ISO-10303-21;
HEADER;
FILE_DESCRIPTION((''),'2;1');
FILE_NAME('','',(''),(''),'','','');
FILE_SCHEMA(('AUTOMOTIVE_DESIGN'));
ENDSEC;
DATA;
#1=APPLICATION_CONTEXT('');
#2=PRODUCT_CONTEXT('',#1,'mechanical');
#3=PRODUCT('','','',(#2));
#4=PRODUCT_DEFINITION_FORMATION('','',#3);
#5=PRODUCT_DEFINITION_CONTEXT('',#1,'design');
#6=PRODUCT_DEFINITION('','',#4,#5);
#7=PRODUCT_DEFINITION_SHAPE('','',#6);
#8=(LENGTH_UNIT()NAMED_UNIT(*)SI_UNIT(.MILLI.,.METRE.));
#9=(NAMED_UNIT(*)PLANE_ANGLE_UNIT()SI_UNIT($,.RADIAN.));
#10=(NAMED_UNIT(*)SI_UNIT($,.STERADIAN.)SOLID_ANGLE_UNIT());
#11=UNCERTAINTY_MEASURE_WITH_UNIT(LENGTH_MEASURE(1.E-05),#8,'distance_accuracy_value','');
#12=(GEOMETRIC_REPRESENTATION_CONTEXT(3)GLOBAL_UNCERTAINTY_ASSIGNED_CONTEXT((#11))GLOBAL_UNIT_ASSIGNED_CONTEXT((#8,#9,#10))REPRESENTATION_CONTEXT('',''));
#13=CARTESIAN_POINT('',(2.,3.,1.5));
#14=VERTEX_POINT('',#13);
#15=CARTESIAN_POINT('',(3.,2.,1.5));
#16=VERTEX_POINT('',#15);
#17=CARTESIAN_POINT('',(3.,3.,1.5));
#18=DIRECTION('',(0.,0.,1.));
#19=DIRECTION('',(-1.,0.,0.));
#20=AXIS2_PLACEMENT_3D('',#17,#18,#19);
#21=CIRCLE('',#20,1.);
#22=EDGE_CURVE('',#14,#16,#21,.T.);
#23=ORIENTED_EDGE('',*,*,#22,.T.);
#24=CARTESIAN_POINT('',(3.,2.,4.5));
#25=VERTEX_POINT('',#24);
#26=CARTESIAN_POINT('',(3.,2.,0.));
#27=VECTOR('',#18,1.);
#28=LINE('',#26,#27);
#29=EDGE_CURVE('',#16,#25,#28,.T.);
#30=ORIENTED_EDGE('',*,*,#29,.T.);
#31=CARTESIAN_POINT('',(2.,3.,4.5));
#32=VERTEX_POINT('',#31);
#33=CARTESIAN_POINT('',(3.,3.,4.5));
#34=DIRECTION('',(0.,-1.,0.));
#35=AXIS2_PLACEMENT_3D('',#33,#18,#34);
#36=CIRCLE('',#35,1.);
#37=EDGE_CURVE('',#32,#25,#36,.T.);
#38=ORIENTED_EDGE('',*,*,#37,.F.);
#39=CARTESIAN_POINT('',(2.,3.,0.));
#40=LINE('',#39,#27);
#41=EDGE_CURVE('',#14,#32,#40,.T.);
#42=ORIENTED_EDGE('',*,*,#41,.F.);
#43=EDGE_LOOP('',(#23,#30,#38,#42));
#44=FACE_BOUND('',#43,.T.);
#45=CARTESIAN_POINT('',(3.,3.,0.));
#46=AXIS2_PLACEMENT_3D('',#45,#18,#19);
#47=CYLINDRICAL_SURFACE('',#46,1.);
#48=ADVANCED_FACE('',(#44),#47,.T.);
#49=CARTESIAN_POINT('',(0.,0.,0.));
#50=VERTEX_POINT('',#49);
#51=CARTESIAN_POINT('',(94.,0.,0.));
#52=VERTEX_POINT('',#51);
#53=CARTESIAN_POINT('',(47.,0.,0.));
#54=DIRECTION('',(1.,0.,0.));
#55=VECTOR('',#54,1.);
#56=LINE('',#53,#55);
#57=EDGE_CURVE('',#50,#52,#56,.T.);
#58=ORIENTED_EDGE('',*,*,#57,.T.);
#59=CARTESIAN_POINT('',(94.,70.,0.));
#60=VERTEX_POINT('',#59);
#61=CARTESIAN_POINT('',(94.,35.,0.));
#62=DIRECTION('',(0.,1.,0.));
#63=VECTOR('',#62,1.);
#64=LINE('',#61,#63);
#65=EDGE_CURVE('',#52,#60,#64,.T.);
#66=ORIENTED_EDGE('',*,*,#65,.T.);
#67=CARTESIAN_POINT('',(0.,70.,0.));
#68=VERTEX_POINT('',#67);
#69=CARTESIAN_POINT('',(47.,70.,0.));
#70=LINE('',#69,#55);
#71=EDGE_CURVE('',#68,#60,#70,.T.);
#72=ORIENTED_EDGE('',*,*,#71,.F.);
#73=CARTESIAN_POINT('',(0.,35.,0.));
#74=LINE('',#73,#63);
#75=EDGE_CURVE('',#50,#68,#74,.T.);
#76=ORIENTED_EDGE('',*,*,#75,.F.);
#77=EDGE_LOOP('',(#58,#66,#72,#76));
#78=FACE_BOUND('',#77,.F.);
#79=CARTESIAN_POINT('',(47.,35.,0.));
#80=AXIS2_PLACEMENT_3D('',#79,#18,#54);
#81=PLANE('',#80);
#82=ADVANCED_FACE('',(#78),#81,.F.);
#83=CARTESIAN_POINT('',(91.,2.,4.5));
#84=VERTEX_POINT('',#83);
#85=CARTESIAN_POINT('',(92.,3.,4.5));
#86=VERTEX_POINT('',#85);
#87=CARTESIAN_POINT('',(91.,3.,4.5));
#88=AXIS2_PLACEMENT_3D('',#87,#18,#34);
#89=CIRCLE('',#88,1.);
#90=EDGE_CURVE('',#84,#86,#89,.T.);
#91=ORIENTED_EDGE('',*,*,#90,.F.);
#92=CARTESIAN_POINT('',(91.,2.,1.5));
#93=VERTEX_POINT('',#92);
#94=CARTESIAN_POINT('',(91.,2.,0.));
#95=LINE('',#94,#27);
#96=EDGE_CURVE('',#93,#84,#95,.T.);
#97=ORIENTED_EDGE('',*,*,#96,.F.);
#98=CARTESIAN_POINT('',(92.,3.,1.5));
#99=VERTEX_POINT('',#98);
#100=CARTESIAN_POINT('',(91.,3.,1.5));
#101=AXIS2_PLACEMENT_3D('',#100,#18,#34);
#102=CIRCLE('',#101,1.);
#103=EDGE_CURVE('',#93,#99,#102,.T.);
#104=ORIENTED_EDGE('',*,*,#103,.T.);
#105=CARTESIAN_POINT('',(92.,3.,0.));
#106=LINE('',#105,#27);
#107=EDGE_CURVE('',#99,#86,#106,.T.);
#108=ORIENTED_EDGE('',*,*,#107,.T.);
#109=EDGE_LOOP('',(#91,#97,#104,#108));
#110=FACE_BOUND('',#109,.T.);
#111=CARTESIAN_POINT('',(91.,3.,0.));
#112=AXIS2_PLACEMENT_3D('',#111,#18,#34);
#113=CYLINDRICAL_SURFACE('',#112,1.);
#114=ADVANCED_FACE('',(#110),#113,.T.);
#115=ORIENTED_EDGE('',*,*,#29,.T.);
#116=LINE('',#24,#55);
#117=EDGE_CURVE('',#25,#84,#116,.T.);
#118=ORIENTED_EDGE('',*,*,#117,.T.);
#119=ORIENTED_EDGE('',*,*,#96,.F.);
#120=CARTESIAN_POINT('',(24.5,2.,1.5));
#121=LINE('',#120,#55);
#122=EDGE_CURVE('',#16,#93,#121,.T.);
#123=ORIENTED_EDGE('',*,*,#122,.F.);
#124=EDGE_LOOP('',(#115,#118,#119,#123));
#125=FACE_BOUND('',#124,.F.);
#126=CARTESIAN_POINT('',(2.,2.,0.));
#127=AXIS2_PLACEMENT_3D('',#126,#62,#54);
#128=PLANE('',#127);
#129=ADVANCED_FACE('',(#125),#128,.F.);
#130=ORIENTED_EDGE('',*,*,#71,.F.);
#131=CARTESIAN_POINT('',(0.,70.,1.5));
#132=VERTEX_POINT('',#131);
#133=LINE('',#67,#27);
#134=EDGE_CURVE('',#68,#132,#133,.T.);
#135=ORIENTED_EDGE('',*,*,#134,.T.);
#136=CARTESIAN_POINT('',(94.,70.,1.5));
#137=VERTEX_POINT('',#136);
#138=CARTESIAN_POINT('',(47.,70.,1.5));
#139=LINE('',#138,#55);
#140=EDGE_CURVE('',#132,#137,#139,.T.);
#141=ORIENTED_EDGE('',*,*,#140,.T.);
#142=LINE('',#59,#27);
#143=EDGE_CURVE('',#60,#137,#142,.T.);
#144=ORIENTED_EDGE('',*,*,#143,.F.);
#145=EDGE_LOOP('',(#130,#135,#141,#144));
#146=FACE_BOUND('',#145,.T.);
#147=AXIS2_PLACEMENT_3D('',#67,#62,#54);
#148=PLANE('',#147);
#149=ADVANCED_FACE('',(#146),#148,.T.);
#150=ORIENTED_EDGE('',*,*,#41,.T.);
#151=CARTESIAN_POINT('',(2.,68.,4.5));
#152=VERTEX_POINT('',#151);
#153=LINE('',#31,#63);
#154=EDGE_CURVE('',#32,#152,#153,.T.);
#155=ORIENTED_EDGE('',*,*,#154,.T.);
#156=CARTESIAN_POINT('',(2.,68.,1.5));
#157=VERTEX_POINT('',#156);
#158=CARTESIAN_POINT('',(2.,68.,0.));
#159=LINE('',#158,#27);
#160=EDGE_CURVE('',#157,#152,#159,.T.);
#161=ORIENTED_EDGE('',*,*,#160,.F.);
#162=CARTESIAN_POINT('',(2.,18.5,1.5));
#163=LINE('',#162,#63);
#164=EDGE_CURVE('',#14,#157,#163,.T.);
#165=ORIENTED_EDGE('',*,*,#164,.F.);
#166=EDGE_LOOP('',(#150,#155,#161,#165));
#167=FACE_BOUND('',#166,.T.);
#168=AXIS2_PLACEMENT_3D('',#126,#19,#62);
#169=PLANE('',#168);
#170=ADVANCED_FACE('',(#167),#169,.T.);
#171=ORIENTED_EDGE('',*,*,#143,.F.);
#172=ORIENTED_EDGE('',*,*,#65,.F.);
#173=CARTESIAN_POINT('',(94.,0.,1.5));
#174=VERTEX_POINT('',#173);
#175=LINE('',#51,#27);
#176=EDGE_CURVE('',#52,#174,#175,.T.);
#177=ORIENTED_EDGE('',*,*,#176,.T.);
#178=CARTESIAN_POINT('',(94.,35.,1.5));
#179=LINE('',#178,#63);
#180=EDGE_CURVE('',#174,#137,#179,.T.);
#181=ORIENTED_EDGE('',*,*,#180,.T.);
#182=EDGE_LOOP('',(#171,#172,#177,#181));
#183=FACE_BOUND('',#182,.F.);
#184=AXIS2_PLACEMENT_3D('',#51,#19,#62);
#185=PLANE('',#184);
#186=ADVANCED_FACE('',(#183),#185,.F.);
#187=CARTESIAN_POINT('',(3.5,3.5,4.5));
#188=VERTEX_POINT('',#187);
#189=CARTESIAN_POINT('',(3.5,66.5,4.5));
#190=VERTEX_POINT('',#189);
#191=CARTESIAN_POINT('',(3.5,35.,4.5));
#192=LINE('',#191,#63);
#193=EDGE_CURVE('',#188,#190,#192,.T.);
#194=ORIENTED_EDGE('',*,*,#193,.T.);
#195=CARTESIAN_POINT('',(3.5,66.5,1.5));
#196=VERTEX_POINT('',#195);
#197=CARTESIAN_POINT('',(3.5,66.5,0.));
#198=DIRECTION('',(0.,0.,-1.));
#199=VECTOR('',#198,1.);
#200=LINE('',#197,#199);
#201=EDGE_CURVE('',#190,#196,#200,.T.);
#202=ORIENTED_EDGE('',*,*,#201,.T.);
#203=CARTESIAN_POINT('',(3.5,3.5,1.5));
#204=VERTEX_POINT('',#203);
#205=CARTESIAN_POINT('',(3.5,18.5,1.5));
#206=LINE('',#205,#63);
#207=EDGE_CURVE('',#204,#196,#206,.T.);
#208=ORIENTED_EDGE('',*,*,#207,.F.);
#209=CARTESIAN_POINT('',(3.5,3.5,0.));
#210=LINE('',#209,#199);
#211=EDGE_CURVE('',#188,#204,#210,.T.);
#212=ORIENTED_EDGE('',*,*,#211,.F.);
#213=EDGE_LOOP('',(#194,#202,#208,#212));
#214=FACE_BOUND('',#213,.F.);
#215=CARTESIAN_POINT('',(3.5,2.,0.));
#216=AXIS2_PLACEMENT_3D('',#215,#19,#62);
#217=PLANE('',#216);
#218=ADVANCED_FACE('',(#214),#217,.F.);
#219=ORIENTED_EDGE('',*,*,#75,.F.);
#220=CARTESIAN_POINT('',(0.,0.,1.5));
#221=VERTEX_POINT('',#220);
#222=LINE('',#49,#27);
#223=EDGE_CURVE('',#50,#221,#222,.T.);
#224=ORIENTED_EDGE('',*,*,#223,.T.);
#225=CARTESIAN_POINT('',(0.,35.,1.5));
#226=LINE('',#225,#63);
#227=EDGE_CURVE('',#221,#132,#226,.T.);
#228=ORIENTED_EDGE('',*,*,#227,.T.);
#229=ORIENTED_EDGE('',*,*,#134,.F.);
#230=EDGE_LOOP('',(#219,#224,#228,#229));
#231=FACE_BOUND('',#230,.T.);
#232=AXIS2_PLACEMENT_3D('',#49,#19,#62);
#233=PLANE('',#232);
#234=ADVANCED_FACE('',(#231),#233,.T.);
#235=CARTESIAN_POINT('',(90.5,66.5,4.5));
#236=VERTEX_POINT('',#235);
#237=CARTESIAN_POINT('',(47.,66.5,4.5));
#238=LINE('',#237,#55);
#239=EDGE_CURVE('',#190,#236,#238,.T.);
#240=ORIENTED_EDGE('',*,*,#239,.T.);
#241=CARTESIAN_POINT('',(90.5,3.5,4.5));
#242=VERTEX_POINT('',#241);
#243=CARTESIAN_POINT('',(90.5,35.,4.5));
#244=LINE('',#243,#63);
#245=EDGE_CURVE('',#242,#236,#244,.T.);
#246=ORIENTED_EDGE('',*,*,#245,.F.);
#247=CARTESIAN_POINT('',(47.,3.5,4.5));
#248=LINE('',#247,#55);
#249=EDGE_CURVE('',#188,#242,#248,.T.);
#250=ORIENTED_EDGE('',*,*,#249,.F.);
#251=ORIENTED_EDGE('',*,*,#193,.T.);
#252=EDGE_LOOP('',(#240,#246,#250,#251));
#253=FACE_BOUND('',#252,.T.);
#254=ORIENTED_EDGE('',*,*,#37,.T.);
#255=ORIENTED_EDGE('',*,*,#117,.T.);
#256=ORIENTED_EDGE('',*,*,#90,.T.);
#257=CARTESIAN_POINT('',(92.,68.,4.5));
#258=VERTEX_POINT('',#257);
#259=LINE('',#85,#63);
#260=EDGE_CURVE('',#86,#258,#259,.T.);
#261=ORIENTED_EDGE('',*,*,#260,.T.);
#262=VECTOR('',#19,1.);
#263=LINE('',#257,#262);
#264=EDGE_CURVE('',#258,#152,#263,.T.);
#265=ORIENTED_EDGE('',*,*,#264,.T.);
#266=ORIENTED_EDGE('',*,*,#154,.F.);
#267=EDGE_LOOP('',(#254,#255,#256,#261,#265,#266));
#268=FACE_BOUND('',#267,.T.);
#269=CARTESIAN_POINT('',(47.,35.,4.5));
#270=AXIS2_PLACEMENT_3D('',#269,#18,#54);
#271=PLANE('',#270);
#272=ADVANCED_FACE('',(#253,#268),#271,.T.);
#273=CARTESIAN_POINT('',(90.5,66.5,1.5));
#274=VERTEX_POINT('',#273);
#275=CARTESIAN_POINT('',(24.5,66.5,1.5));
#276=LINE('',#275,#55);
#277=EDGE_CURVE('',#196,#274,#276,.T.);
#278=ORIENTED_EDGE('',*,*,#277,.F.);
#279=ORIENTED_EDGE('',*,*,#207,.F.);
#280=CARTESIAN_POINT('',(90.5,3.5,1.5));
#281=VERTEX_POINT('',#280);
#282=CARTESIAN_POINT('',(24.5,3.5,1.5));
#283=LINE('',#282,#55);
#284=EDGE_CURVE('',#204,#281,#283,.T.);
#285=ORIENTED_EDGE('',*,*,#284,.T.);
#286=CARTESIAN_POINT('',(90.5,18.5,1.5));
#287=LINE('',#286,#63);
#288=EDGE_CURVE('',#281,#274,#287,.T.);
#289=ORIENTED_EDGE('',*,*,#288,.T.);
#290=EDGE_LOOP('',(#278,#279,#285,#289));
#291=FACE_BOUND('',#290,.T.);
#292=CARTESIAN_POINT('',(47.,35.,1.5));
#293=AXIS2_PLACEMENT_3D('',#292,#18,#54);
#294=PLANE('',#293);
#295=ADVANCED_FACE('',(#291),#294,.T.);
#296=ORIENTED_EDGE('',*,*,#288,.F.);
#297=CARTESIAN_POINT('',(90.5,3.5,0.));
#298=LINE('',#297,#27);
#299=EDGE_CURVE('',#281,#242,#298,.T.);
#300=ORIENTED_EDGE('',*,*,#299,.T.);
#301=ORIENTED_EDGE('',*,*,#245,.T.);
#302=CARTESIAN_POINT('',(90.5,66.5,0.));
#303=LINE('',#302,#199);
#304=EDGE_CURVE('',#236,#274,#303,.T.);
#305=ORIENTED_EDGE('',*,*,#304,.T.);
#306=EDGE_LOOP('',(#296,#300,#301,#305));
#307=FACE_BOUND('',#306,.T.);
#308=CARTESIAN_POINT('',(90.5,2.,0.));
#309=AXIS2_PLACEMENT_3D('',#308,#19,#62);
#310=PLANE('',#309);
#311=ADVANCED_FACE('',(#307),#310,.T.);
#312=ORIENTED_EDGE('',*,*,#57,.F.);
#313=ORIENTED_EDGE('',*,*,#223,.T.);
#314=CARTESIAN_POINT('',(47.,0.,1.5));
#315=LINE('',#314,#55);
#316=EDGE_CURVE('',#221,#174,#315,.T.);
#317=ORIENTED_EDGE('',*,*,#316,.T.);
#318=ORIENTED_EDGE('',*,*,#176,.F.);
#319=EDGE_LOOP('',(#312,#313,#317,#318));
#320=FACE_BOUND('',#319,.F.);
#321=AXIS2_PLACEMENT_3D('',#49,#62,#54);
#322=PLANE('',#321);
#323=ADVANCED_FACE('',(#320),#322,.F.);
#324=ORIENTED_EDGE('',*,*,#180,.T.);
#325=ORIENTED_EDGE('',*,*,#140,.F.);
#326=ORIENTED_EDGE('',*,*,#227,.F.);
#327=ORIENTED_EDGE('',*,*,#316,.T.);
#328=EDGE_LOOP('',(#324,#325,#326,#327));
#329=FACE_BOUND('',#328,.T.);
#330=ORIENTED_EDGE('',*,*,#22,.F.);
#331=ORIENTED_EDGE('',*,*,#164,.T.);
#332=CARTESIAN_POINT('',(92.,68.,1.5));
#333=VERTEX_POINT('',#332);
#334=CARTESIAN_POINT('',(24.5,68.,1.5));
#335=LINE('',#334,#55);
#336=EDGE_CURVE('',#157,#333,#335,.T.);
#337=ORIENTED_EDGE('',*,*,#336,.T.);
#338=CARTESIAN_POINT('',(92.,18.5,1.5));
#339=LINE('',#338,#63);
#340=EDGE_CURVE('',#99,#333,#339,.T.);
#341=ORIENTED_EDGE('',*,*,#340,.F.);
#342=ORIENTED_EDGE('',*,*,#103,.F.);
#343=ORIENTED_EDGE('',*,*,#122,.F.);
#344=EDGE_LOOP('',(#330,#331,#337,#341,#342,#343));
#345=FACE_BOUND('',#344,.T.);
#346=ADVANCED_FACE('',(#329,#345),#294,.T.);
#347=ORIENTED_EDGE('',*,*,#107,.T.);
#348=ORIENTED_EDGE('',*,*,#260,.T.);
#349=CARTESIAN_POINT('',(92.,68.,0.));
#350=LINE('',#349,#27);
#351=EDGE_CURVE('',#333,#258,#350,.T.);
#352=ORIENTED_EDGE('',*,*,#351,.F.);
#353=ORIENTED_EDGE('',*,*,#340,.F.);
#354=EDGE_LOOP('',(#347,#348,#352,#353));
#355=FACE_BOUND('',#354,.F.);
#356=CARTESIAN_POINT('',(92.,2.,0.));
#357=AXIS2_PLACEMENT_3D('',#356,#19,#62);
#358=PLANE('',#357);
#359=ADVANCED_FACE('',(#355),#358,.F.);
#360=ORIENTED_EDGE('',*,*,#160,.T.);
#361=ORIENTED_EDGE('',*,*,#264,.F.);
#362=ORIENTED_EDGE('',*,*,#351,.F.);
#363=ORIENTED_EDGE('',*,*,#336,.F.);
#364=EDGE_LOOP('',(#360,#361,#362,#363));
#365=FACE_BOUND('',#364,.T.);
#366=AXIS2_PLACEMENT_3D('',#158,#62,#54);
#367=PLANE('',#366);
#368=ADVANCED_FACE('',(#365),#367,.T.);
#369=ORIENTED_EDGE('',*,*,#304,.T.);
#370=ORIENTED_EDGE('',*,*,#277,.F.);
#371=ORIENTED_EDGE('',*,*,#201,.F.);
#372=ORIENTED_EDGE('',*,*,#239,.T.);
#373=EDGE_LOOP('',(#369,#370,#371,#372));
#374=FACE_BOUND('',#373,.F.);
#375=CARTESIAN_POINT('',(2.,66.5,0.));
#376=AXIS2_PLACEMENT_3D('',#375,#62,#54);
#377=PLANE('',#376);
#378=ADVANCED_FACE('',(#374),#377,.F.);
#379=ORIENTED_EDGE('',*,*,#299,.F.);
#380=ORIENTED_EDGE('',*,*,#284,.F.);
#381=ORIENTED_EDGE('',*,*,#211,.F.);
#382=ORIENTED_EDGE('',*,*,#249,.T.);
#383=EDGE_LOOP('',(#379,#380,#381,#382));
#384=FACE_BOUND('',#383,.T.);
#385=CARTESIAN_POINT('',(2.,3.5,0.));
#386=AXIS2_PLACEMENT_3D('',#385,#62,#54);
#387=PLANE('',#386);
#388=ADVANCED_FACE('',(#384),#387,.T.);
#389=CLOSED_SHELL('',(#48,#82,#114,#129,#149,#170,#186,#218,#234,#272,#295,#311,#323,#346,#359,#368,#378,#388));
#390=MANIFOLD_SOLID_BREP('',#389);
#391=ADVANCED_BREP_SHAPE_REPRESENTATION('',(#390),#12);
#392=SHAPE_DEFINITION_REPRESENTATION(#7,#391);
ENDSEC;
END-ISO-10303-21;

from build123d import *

# Parameters (mm, degrees)
BOX001_W     = 90
BOX001_H     = 66
BOX001_DEPTH = 4.5
THICKNESS_T  = -1.5
FILLET001_R  = 1.5
BOX_W        = 94
BOX_H        = 70
BOX_DEPTH    = 1.5
FILLET_R     = 1
FILLET002_R  = 1


with BuildPart() as thickness:
    # Box001 → Box001 (new body)
    with BuildSketch(Plane(origin=(2, 2, 0), x_dir=(1, 0, 0), z_dir=(0, 0, 1))):
        with Locations((45, 33)):
            Rectangle(BOX001_W, BOX001_H)
    extrude(amount=BOX001_DEPTH)

    # Thickness
    thickness_openings = [thickness.faces().sort_by_distance(p)[0] for p in [
        (47, 35, 4.5),
    ]]
    offset(amount=THICKNESS_T, openings=thickness_openings)


with BuildPart() as fillet001:
    # Fillet001 base: copy of Thickness
    add(thickness.part)

    # Fillet001
    fillet001_edges = [fillet001.edges().sort_by_distance(p)[0] for p in [
        (92, 2, 2.25),
        (2, 2, 2.25),
    ]]
    fillet(fillet001_edges, radius=FILLET001_R)


with BuildPart() as w_rfel:
    # Box → Box (new body)
    with BuildSketch(Plane.XY):
        with Locations((47, 35)):
            Rectangle(BOX_W, BOX_H)
    extrude(amount=BOX_DEPTH)


with BuildPart() as fusion001:
    # Fillet base: copy of Thickness
    add(thickness.part)

    # Fillet
    fillet_edges = [fusion001.edges().sort_by_distance(p)[0] for p in [
        (92, 2, 2.25),
        (2, 2, 2.25),
    ]]
    fillet(fillet_edges, radius=FILLET_R)

    # Fillet002
    fillet002_edges = [fusion001.edges().sort_by_distance(p)[0] for p in [
        (92, 68, 2.25),
        (2, 68, 2.25),
    ]]
    fillet(fillet002_edges, radius=FILLET002_R)

    # Fusion: union Fillet001, Würfel
    add(fillet001.part)
    add(w_rfel.part)


solid = fusion001.part
